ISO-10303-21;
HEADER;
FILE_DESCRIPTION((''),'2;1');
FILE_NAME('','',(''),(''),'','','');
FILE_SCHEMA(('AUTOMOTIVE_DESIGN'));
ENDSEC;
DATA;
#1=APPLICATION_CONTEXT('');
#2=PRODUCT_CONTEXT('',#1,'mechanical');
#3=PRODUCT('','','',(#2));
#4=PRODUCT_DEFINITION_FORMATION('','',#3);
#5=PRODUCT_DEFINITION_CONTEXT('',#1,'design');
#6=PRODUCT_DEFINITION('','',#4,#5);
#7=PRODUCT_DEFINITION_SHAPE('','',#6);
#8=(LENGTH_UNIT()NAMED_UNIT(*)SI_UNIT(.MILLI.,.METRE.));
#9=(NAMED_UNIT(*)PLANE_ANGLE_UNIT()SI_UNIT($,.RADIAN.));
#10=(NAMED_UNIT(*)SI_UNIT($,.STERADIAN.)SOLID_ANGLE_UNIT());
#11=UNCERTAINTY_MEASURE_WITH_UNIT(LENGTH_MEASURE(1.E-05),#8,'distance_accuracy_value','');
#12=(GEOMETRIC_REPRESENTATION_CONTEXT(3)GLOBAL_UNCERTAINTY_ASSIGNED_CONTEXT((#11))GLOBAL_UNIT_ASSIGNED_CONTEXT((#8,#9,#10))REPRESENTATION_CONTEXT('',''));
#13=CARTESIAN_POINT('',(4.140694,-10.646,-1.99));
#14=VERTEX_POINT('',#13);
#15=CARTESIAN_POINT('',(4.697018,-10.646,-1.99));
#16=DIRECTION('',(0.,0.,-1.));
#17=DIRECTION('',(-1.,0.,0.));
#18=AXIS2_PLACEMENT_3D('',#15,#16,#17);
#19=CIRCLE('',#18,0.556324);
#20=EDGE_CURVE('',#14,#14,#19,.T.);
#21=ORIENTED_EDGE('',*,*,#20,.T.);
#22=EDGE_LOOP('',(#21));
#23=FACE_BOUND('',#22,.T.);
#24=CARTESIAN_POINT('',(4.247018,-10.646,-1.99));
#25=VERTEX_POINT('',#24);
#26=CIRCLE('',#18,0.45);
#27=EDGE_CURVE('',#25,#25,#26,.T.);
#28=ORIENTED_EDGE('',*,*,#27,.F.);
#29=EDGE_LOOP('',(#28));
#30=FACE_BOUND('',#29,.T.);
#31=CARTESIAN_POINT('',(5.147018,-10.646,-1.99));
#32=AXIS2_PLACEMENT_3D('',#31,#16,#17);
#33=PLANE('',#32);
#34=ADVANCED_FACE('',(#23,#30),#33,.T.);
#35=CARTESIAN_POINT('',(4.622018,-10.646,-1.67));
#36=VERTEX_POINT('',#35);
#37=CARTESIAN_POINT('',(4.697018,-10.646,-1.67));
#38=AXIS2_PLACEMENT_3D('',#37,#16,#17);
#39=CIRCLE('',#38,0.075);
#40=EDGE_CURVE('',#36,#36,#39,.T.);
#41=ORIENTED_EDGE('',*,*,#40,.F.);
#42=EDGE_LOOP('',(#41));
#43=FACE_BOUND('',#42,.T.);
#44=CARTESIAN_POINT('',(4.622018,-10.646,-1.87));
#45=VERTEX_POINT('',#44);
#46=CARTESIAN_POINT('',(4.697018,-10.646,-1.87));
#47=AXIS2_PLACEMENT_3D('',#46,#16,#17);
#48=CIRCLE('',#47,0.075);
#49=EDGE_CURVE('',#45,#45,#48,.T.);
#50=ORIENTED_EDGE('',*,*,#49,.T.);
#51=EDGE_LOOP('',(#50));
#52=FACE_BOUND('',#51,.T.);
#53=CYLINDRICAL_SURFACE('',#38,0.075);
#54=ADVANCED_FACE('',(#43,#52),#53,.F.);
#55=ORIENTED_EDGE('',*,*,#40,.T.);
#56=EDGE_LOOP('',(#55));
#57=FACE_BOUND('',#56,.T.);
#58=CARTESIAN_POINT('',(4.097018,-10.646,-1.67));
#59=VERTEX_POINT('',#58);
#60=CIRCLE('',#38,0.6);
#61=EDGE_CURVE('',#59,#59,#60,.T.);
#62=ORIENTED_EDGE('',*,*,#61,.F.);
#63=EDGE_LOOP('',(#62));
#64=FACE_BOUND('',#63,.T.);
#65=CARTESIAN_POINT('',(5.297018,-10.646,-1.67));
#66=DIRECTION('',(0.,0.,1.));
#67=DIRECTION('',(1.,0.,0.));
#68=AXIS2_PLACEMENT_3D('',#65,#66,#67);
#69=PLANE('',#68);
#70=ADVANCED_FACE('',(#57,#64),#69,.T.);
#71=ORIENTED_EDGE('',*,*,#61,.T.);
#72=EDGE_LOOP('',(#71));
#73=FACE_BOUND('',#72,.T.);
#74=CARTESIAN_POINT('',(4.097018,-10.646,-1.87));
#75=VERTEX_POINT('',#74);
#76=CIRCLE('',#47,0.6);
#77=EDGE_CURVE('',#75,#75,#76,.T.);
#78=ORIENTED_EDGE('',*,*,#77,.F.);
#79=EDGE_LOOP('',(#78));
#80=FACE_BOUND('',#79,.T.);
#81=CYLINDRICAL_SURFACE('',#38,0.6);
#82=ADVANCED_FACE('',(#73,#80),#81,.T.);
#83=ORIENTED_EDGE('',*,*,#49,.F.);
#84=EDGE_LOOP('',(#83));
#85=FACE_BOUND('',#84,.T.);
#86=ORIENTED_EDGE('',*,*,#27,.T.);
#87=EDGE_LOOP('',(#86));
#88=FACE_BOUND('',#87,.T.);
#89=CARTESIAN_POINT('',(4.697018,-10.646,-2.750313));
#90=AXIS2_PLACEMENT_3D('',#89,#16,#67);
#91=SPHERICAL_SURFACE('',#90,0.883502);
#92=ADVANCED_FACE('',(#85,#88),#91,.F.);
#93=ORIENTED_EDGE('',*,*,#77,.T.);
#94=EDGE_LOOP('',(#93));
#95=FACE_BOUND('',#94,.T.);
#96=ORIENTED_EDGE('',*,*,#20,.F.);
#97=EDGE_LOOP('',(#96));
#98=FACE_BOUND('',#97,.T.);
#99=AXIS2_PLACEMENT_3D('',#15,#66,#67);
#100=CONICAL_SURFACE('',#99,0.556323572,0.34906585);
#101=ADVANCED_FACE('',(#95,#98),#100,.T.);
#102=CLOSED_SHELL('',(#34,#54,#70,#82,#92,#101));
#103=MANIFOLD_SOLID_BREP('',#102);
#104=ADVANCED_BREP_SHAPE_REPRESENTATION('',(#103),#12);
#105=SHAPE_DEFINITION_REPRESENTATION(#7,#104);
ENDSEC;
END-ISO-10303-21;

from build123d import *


with BuildPart() as part:
    # Sketch1 → Revolve1 (revolve)
    with BuildSketch(Plane.XZ.offset(10.646000252)):
        with BuildLine():
            Line((5.297017702, -1.87), (5.297017702, -1.67))
            Line((5.297017702, -1.67), (4.772017702, -1.67))
            Line((4.772017702, -1.67), (4.772017702, -1.87))
            ThreePointArc((4.772017702, -1.87), (4.966287548, -1.908844231), (5.147017702, -1.99))
            Line((5.147017702, -1.99), (5.253341274, -1.99))
            Line((5.253341274, -1.99), (5.297017702, -1.87))
        make_face()
    revolve(axis=Axis((4.697017702, -10.646000252, -1.67), (0, 0, -1)))


solid = part.part
